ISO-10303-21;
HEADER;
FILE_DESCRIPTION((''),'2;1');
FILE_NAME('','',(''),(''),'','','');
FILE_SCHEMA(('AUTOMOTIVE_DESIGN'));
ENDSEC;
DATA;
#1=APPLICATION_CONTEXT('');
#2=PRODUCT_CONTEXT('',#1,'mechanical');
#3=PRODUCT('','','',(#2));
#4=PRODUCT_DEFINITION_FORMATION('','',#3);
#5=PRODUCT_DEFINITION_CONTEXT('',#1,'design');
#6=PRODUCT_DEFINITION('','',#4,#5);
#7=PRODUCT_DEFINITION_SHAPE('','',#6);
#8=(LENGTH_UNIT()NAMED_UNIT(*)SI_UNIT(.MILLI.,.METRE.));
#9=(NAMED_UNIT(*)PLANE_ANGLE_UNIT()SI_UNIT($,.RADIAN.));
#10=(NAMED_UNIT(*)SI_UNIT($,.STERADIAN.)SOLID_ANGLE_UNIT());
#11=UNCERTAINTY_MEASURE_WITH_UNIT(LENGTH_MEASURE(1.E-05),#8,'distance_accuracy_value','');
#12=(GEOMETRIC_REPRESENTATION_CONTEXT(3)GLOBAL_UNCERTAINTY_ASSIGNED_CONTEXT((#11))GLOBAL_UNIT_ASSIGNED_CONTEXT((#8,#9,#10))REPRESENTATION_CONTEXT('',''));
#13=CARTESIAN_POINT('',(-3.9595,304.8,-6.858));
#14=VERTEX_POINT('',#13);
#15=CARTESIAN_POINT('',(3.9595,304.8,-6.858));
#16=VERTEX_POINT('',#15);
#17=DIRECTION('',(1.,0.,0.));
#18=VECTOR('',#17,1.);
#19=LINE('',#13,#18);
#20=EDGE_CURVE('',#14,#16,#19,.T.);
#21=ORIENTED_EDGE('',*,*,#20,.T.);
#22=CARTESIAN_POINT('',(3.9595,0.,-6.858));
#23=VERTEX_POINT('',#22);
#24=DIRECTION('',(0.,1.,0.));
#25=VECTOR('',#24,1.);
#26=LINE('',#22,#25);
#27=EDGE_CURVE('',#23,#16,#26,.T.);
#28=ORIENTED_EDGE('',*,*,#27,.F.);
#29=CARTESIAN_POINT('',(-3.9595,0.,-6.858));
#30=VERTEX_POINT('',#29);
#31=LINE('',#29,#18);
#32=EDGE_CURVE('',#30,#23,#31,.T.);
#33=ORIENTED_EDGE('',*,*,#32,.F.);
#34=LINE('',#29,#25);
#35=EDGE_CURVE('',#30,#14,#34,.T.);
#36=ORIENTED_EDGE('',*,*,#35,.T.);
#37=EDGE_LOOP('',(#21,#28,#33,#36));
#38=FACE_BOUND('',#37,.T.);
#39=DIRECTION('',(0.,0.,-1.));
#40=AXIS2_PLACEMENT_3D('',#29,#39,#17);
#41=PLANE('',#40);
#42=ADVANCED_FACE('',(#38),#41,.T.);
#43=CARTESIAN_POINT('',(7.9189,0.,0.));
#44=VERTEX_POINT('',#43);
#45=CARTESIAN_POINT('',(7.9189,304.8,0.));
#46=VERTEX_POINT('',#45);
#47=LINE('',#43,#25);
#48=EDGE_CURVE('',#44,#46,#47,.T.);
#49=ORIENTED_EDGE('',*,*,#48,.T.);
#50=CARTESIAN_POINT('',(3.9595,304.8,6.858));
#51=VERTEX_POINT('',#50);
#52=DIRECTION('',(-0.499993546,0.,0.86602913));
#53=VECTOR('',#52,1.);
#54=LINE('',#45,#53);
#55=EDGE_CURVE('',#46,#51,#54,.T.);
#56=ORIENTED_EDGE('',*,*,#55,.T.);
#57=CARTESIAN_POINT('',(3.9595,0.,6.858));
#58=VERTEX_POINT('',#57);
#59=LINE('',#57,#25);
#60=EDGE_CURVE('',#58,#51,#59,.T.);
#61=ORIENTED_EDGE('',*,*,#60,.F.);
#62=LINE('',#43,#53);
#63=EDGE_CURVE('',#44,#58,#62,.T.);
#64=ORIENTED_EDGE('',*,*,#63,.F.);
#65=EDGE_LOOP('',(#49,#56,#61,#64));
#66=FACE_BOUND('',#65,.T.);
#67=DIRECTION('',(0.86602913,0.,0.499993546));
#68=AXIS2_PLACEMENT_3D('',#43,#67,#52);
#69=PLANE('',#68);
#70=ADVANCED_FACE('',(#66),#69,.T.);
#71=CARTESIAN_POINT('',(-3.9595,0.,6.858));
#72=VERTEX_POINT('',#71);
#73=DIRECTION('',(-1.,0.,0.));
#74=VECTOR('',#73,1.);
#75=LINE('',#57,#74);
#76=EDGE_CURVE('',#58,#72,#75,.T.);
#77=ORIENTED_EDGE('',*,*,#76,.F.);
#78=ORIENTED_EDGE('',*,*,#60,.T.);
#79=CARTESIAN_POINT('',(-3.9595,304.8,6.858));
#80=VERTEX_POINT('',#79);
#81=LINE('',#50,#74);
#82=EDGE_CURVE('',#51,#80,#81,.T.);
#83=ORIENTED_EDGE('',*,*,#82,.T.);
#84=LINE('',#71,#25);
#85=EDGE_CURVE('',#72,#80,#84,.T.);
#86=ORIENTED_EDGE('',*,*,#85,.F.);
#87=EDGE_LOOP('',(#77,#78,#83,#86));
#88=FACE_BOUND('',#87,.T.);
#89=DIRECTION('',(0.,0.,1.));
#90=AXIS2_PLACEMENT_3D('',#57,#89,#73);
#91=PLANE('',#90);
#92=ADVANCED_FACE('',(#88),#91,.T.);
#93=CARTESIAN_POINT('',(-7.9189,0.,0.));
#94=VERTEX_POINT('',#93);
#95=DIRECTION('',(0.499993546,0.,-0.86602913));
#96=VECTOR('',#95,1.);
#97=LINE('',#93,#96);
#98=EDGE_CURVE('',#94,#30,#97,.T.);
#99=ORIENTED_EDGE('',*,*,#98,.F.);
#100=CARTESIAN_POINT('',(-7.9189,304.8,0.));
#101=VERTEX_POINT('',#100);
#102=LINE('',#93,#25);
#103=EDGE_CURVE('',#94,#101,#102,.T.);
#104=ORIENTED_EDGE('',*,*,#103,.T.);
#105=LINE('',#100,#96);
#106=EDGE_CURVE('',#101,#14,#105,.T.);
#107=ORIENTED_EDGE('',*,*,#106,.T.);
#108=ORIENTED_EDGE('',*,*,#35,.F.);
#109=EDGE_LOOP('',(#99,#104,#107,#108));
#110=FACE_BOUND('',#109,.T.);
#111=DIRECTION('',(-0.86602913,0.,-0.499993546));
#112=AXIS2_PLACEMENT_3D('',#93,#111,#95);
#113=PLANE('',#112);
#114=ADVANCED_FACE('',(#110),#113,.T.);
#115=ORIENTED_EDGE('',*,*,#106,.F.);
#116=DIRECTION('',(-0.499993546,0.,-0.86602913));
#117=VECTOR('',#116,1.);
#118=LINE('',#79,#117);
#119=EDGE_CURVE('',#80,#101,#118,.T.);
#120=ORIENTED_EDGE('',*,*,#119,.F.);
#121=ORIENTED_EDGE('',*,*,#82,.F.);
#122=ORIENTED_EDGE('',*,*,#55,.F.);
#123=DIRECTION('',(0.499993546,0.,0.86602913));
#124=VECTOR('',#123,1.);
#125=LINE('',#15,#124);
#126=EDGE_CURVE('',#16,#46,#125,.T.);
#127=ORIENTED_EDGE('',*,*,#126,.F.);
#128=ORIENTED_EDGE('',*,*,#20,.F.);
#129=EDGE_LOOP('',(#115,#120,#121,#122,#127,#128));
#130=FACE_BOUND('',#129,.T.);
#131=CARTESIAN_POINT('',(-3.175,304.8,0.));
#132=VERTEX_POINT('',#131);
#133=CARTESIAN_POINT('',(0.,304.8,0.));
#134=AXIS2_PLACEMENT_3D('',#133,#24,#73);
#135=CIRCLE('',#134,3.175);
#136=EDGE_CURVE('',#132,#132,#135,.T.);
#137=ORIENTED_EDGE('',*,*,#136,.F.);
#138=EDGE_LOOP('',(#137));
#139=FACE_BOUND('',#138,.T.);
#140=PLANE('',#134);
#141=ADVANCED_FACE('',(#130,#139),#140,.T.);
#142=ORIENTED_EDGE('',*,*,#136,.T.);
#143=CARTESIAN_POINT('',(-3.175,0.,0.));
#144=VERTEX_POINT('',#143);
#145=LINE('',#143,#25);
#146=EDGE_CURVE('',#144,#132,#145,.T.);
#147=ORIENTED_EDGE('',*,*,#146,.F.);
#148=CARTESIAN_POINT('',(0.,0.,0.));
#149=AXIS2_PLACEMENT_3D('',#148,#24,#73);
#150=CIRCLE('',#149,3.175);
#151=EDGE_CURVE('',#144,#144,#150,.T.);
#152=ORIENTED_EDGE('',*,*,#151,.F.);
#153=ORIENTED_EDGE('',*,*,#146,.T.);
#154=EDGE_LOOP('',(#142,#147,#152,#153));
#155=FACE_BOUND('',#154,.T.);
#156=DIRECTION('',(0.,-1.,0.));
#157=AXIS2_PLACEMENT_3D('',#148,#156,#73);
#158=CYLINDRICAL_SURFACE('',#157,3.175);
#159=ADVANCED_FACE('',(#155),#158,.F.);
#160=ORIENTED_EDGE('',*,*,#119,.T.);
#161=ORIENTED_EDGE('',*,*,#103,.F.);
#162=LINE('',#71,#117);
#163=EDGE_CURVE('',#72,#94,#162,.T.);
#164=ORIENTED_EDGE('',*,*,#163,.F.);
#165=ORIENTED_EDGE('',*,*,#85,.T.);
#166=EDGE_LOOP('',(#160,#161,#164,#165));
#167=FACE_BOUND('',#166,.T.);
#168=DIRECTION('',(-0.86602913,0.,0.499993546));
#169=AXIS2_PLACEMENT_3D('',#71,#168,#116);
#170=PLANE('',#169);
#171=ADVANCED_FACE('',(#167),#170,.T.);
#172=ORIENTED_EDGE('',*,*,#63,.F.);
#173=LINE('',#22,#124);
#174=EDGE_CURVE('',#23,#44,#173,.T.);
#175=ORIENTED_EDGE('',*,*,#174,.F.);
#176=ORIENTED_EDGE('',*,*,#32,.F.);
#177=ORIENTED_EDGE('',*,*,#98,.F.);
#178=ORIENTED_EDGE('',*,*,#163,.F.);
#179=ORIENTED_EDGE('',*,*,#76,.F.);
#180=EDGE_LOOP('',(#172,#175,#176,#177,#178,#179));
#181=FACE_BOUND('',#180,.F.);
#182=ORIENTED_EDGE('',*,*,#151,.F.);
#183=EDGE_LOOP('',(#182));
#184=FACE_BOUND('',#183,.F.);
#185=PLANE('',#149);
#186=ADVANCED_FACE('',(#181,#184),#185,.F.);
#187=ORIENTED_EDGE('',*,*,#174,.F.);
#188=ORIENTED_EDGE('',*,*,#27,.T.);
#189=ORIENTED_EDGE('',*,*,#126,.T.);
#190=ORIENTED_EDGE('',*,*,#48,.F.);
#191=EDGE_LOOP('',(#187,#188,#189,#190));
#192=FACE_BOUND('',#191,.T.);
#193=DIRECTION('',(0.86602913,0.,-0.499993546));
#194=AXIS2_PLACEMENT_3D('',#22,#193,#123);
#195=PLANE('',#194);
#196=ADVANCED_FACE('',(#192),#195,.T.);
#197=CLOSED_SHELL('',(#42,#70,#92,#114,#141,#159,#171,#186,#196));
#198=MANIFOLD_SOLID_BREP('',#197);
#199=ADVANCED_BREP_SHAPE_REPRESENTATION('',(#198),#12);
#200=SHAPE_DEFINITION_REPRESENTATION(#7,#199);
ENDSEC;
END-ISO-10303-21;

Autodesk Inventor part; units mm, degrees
ref_plane "YZ Plane" through (0, 0, 0) normal (1, 0, 0) x (0, 1, 0)
ref_plane "XZ Plane" through (0, 0, 0) normal (0, 1, 0) x (-1, 0, 0)
ref_plane "XY Plane" through (0, 0, 0) normal (0, 0, 1) x (1, 0, 0)
sketch "Sketch1" plane through (0, 0, 0) normal (0, 1, 0) x (-1, 0, 0)
  line L0 (-3.9595, -6.858) -> (-7.9189, 0)
  line L1 (-7.9189, 0) -> (-3.9595, 6.858)
  line L2 (-3.9595, 6.858) -> (3.9595, 6.858)
  line L3 (3.9595, 6.858) -> (7.9189, 0)
  line L4 (7.9189, 0) -> (3.9595, -6.858)
  line L5 (3.9595, -6.858) -> (-3.9595, -6.858)
  circle A0 centre (0, 0) radius 3.175
  dimension "d0" = 13.716
  dimension "d3" = 6.35
extrude "Extrusion2" add sketch "Sketch1" along normal blind 304.8
properties part number "hexShaft"
